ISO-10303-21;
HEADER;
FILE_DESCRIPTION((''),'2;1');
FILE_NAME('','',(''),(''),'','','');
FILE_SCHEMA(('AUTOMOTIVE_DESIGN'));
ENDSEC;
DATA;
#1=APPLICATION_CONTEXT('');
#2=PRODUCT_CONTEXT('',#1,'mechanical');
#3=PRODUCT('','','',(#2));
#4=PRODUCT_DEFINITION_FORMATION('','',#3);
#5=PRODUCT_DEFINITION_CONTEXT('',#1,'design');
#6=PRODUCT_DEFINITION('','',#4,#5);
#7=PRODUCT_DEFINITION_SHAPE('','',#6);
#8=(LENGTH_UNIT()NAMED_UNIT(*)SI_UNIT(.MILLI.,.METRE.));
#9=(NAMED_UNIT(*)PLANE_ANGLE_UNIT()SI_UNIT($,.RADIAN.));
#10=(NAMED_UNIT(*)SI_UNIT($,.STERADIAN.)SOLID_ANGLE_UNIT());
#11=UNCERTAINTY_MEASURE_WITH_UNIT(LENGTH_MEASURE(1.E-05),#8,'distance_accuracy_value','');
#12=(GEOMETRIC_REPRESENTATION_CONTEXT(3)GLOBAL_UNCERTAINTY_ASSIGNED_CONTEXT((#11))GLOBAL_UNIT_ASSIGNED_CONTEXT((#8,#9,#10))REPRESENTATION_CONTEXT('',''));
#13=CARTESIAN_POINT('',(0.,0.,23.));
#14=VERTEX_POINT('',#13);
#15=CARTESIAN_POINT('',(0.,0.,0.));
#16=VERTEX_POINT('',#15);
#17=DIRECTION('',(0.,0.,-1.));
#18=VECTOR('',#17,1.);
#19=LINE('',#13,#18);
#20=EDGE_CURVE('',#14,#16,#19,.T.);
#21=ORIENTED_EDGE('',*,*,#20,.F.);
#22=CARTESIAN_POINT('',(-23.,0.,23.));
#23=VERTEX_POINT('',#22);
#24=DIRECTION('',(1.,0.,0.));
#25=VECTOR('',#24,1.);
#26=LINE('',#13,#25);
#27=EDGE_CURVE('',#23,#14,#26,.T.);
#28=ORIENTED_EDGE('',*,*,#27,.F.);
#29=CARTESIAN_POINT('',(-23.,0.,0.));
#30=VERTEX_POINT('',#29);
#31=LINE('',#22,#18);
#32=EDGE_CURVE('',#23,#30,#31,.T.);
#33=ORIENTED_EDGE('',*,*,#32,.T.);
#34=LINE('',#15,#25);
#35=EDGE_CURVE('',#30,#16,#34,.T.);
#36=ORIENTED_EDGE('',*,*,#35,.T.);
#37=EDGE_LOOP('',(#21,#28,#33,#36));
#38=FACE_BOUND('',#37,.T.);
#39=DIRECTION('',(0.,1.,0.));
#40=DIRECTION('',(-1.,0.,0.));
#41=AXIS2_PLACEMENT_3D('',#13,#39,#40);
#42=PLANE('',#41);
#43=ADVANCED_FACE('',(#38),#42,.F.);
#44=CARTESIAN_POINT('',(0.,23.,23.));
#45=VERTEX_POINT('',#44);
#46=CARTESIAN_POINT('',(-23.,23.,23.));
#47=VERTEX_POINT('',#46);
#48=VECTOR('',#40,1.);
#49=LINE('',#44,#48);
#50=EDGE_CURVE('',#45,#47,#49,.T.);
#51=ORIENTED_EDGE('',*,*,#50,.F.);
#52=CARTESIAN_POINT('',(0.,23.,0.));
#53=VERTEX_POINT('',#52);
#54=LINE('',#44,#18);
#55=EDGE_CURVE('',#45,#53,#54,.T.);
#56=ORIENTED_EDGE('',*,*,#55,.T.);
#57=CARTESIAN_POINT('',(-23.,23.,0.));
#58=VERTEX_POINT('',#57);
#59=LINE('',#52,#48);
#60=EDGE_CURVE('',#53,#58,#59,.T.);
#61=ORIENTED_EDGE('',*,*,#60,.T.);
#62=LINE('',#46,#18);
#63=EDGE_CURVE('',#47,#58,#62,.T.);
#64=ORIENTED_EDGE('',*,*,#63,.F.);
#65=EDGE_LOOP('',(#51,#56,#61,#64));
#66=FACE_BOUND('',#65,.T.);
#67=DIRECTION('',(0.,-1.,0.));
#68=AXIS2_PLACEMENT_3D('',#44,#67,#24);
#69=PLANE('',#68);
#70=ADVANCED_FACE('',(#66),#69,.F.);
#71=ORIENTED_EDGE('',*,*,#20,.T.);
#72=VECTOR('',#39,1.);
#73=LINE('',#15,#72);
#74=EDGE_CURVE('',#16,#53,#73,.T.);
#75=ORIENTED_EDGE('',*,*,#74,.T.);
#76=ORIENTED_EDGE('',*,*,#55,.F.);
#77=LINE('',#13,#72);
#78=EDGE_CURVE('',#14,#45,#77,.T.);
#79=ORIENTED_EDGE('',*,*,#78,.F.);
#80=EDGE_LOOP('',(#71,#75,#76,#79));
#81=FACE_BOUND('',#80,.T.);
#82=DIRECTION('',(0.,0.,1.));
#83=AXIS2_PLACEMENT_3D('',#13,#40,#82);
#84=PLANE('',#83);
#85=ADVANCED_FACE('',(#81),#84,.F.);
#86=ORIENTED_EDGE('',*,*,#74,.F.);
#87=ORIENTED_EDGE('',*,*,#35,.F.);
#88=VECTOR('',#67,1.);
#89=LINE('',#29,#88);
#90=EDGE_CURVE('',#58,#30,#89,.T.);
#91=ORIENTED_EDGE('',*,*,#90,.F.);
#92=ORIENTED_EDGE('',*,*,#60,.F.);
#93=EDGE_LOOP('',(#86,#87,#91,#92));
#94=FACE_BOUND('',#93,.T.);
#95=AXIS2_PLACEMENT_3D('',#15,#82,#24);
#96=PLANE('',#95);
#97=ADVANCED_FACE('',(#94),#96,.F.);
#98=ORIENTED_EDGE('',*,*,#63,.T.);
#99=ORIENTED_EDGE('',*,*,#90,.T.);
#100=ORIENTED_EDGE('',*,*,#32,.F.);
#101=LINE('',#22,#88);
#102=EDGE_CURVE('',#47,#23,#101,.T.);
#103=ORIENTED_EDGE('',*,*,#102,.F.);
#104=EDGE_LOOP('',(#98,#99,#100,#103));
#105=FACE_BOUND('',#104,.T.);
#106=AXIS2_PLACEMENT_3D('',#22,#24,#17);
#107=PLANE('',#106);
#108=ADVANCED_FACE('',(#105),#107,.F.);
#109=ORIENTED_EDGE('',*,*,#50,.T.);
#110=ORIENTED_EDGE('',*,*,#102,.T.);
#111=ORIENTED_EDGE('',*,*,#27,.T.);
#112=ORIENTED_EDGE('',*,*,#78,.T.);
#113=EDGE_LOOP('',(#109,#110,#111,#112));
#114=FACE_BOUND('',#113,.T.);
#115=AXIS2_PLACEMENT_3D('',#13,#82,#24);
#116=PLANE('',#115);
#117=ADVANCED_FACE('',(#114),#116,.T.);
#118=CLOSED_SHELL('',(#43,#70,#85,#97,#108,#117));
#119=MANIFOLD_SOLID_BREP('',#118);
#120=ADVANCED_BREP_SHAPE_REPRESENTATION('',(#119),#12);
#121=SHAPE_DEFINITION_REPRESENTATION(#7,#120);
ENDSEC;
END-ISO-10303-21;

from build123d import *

# Parameters (mm, degrees)
SKETCH1_W           = 23
SKETCH1_H           = 23
BOSS_EXTRUDE1_DEPTH = 23


with BuildPart() as part:
    # Sketch1 → Boss-Extrude1 (new body)
    with BuildSketch(Plane.XY):
        with Locations((-11.5, 11.5)):
            Rectangle(SKETCH1_W, SKETCH1_H)
    extrude(amount=BOSS_EXTRUDE1_DEPTH)


solid = part.part
